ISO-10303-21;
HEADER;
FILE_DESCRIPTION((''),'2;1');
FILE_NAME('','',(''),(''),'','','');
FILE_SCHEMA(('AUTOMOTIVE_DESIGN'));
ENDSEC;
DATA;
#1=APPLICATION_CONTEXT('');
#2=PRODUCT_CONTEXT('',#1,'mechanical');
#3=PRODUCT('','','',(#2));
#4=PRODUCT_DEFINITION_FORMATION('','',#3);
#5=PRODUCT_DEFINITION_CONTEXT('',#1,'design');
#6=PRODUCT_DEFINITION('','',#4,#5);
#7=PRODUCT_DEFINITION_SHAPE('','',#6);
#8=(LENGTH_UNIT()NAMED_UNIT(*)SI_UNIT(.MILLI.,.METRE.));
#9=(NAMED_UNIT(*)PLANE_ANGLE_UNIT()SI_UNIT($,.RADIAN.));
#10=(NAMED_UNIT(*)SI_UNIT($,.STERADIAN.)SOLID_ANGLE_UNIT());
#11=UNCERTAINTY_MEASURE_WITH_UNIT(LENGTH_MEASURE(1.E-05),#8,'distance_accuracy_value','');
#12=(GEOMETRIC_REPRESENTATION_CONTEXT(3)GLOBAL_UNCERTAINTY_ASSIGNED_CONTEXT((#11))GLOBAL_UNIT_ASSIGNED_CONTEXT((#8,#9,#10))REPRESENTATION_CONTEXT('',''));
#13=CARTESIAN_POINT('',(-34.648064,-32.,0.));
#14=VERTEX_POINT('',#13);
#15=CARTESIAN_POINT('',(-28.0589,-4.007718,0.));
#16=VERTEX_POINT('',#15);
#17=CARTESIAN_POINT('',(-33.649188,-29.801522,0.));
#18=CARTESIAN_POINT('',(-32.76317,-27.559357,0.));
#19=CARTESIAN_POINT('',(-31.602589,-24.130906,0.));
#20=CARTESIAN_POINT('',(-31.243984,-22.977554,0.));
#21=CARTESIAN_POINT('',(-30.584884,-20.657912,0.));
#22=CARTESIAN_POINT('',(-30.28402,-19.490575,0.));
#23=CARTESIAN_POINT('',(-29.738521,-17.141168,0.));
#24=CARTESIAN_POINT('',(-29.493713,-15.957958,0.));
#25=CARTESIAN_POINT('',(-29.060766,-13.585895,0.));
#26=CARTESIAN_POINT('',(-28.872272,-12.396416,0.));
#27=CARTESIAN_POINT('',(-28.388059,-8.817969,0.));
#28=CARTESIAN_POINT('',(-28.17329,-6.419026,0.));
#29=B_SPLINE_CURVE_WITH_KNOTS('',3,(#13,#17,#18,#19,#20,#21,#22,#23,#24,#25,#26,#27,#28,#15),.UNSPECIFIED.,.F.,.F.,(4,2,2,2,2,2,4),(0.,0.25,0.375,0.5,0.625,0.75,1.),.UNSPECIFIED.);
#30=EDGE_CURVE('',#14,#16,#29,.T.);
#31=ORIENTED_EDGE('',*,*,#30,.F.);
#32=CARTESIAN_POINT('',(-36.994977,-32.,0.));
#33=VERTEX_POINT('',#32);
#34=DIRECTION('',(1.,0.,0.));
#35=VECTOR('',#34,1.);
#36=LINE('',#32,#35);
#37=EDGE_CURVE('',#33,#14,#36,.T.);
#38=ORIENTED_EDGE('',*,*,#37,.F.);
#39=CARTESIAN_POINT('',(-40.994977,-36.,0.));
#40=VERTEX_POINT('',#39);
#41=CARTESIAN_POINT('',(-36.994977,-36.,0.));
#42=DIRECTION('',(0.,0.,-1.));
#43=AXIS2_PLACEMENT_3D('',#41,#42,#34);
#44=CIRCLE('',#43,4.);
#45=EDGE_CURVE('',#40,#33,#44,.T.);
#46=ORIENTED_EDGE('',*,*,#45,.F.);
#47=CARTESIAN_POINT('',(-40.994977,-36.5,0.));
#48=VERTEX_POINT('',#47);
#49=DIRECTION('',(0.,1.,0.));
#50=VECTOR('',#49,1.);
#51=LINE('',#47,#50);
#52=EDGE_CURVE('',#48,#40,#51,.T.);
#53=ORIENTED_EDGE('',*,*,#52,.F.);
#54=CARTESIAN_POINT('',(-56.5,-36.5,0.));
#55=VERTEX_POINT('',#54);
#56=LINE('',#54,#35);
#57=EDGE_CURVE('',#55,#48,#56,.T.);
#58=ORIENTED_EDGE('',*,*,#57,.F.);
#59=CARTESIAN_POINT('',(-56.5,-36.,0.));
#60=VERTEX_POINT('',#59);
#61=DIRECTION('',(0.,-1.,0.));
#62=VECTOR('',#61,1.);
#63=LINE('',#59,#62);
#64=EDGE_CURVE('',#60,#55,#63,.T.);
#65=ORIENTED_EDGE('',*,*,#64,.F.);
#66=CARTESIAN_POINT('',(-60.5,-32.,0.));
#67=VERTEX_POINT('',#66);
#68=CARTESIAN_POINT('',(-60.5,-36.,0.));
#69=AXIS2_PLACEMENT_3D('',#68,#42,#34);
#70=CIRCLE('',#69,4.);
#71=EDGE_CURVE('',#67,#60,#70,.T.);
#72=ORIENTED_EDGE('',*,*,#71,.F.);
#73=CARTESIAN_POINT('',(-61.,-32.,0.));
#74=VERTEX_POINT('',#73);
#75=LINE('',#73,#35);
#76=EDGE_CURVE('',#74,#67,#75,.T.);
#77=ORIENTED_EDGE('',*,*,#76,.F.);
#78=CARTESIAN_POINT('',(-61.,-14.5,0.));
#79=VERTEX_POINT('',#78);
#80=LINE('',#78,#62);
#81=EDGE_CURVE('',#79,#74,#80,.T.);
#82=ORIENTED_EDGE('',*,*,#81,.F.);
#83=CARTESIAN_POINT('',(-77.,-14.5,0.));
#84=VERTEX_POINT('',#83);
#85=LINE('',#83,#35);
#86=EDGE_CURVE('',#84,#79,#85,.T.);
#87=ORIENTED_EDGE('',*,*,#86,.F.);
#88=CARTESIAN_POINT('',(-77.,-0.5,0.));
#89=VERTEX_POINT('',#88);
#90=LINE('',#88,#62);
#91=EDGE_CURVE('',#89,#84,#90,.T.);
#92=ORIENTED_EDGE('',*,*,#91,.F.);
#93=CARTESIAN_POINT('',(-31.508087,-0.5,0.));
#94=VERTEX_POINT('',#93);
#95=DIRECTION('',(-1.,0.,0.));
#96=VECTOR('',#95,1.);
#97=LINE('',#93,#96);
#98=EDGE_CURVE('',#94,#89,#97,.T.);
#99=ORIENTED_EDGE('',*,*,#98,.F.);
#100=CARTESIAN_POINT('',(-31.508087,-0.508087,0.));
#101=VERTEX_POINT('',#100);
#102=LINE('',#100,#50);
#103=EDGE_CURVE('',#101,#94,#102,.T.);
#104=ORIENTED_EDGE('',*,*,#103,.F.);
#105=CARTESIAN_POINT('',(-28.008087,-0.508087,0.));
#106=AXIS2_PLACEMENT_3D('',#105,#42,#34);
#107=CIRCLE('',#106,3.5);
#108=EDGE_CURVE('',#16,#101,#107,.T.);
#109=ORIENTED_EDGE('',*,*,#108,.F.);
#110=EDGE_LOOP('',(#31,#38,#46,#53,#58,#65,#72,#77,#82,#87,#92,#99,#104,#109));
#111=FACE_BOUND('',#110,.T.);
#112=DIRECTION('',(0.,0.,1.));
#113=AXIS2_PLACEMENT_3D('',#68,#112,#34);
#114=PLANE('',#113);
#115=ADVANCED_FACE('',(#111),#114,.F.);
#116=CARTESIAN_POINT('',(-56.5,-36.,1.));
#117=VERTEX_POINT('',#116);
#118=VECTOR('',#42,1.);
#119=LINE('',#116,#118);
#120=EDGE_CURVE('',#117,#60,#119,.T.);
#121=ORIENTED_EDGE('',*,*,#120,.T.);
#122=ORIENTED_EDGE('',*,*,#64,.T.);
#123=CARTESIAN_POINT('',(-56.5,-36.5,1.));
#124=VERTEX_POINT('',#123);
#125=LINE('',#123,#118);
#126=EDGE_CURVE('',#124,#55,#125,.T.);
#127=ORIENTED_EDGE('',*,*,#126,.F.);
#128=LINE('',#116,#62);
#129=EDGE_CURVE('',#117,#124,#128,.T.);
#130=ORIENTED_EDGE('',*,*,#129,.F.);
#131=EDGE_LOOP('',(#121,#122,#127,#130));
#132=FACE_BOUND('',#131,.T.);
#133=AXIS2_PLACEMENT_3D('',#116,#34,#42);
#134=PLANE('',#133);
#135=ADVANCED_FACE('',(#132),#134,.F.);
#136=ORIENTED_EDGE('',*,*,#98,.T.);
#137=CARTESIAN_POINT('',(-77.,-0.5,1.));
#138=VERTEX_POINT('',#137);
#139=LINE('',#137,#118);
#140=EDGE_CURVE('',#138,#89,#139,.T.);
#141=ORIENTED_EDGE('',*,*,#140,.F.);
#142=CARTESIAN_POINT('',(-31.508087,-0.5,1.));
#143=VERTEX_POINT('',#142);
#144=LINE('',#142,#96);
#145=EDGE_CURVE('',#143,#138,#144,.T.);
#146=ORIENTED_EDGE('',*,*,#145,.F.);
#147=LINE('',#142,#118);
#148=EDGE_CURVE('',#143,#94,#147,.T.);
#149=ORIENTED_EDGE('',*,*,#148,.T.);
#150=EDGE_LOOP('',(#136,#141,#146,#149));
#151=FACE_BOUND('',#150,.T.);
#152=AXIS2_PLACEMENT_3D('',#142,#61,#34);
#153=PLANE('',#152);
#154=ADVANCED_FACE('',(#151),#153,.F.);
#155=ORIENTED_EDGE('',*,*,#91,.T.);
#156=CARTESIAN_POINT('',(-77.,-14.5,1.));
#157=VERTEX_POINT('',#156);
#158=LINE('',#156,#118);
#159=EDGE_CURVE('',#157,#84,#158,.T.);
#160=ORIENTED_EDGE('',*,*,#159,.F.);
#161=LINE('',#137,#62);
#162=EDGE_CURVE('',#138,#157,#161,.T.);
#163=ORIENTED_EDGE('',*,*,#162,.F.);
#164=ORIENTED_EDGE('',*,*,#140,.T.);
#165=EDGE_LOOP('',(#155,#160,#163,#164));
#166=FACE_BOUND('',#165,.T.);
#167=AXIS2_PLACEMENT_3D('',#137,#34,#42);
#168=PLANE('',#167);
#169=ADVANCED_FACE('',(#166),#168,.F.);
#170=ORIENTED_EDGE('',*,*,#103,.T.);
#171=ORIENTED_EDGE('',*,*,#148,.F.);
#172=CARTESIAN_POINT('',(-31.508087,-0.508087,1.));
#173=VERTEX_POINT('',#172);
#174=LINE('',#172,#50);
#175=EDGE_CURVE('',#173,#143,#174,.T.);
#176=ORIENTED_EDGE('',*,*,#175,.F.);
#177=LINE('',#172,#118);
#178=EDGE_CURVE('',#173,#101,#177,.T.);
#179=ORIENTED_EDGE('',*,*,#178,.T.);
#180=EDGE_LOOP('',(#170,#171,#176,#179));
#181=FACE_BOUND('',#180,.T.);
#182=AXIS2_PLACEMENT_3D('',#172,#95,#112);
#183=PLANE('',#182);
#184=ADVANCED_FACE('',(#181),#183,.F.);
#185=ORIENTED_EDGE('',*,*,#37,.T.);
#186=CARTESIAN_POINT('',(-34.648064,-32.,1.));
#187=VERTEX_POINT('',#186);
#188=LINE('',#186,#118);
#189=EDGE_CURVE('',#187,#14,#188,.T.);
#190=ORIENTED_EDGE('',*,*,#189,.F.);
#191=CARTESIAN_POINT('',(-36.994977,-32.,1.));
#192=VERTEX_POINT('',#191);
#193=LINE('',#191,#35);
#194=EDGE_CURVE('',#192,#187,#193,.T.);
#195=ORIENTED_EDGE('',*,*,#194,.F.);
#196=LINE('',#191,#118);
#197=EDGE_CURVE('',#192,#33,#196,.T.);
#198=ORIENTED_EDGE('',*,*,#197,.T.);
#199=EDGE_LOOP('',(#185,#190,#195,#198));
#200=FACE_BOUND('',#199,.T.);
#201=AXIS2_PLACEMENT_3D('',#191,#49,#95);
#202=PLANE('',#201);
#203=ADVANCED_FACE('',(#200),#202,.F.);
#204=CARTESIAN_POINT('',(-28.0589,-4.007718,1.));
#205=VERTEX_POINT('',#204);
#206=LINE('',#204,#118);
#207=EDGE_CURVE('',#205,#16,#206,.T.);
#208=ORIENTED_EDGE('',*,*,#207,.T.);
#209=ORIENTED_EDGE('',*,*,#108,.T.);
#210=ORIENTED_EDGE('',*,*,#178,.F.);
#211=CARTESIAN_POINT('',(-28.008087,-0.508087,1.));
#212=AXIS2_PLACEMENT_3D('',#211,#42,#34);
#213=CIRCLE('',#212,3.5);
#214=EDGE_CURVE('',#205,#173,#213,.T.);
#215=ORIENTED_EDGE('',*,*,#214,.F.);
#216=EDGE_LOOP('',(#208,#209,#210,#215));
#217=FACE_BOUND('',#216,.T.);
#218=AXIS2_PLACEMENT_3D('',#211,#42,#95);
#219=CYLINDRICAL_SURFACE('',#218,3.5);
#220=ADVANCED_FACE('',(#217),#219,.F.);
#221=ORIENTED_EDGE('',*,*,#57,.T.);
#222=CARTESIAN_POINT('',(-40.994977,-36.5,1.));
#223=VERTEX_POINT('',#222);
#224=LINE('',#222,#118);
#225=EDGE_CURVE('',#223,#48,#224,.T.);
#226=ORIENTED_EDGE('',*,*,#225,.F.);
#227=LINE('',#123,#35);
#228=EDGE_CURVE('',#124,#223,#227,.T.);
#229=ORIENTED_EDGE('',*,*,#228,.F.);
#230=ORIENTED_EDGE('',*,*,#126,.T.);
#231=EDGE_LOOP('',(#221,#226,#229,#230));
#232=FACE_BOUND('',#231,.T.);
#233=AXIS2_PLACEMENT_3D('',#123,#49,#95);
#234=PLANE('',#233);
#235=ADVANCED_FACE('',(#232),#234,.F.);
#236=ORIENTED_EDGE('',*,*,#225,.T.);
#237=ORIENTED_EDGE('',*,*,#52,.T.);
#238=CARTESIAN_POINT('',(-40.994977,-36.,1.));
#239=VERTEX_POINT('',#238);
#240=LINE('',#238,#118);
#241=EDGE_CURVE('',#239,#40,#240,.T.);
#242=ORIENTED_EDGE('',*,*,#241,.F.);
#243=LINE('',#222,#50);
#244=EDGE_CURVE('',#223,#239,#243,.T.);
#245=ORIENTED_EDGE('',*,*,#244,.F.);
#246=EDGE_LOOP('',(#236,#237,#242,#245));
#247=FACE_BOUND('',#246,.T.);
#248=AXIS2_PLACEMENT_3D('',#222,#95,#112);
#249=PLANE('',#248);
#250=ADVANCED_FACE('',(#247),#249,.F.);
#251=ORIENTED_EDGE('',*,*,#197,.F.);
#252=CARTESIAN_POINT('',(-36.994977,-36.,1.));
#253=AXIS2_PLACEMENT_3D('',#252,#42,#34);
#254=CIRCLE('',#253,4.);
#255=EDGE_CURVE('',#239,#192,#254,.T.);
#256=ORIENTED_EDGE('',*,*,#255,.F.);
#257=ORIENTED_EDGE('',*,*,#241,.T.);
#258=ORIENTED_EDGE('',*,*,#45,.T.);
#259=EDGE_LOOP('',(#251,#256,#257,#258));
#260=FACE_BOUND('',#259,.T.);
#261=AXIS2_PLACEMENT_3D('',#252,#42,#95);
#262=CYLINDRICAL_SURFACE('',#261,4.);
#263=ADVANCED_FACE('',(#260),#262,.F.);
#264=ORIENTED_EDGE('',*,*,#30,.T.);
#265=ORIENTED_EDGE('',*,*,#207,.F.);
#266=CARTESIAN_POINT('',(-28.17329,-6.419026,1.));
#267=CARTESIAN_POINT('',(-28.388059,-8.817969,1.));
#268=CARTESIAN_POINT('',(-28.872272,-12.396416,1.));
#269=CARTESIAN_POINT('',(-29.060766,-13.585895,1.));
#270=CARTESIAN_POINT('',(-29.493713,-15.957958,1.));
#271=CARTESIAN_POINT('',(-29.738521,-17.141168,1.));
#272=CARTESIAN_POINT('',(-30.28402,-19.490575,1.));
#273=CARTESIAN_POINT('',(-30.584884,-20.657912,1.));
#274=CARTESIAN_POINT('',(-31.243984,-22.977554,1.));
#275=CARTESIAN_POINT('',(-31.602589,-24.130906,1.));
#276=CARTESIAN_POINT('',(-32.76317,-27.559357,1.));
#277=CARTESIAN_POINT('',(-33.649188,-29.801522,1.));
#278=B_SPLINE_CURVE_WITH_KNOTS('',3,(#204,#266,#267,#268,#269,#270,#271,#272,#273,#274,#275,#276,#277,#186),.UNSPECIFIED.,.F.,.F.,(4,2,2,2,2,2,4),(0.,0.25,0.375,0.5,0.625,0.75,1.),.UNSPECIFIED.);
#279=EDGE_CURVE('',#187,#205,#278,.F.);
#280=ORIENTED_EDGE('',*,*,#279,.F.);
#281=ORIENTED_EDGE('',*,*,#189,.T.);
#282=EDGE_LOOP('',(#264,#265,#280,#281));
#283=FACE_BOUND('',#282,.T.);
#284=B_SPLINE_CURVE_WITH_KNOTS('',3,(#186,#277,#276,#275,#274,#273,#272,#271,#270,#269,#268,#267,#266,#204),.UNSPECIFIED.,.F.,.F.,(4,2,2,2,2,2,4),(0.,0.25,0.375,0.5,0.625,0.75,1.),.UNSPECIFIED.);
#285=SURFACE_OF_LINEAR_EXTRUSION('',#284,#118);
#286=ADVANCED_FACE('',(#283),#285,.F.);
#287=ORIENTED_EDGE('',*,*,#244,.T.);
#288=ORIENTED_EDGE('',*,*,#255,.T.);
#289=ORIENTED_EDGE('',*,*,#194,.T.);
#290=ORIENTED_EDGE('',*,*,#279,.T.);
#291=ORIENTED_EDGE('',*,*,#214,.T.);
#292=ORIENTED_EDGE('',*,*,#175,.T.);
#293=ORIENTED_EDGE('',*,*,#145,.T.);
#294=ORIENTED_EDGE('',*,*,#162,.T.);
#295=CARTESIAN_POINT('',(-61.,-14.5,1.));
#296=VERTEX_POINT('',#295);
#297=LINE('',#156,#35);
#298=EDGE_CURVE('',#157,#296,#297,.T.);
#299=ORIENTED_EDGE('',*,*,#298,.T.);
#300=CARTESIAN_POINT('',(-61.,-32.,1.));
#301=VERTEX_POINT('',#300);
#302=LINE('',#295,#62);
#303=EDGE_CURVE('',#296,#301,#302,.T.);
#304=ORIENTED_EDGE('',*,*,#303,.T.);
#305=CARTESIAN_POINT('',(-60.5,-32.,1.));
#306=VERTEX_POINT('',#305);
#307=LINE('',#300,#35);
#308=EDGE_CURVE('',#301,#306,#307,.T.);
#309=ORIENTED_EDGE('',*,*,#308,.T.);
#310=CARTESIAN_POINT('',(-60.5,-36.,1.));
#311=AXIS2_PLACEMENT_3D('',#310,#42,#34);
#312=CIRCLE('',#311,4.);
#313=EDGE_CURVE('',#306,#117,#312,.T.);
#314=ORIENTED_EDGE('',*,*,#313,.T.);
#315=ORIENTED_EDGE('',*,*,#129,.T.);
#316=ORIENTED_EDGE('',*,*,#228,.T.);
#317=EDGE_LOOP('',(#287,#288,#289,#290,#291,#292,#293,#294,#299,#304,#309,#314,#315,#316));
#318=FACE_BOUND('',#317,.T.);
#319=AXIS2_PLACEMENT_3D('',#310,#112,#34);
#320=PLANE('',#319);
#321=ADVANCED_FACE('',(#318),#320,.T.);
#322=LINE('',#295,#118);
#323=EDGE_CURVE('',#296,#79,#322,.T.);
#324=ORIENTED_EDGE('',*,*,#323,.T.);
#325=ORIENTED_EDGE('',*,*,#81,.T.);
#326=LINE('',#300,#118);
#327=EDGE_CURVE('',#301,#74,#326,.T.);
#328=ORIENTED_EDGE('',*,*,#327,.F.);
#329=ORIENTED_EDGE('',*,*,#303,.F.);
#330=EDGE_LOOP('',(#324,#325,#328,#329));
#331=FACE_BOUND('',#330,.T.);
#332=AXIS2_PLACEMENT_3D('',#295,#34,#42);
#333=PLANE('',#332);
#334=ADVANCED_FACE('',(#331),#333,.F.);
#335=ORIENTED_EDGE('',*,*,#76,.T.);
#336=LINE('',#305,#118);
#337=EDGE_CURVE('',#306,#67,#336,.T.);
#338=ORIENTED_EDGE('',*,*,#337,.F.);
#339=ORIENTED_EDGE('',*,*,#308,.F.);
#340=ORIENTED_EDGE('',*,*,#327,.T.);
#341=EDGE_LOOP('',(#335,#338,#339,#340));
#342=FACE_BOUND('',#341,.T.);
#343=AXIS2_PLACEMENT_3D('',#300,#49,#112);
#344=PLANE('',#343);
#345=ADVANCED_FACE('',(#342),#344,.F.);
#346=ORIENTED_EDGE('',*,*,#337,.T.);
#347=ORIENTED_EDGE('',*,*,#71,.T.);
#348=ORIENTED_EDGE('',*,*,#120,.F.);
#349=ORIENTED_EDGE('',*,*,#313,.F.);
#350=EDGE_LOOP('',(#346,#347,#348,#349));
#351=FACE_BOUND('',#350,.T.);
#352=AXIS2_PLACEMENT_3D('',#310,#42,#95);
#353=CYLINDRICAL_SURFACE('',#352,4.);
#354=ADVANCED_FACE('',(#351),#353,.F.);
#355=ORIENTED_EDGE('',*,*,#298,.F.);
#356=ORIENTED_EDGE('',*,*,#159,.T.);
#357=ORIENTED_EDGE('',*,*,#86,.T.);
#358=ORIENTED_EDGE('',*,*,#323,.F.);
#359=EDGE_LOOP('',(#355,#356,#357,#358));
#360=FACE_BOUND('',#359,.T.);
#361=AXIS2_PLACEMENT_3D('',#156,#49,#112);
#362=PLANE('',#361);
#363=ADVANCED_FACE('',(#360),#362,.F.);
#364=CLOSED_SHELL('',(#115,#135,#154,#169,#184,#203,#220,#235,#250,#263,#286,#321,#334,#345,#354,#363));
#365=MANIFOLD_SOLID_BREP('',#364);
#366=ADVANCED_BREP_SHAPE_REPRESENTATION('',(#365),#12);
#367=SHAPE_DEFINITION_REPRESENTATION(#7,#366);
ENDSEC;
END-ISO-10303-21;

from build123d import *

# Parameters (mm, degrees)
EXTRUDE_1_DEPTH = 1


with BuildPart() as part:
    # 草图1 → 凸台-拉伸1 (new body)
    with BuildSketch(Plane.XY):
        with BuildLine():
            Line((-61, -32), (-60.5, -32))
            ThreePointArc((-60.5, -32), (-57.671572875, -33.171572875), (-56.5, -36))
            Line((-56.5, -36), (-56.5, -36.5))
            Line((-56.5, -36.5), (-40.994977349, -36.5))
            Line((-40.994977349, -36.5), (-40.994977349, -36))
            ThreePointArc((-40.994977349, -36), (-39.823404474, -33.171572875), (-36.994977349, -32))
            Line((-36.994977349, -32), (-34.648063919, -32))
            add(Edge.make_bspline(
                [(-34.648063919, -32), (-33.649188035, -29.801521516), (-32.763169649, -27.559357), (-31.602588747, -24.130906164), (-31.243984455, -22.977553874), (-30.584883688, -20.657911853), (-30.284019718, -19.490574743), (-29.738521235, -17.141167899), (-29.493713152, -15.957957975), (-29.060766213, -13.585894928), (-28.872271639, -12.396416473), (-28.388058555, -8.817968759), (-28.173290485, -6.419025656), (-28.058899629, -4.007718216)],
                knots=[0, 0, 0, 0, 0.25, 0.25, 0.375, 0.375, 0.5, 0.5, 0.625, 0.625, 0.75, 0.75, 1, 1, 1, 1], degree=3))
            ThreePointArc((-28.058899629, -4.007718216), (-30.500861029, -2.964930185), (-31.508087081, -0.508087081))
            Line((-31.508087081, -0.508087081), (-31.508087081, -0.5))
            Line((-31.508087081, -0.5), (-77, -0.5))
            Line((-77, -0.5), (-77, -14.5))
            Line((-77, -14.5), (-61, -14.5))
            Line((-61, -14.5), (-61, -32))
        make_face()
    extrude(amount=EXTRUDE_1_DEPTH)


solid = part.part
